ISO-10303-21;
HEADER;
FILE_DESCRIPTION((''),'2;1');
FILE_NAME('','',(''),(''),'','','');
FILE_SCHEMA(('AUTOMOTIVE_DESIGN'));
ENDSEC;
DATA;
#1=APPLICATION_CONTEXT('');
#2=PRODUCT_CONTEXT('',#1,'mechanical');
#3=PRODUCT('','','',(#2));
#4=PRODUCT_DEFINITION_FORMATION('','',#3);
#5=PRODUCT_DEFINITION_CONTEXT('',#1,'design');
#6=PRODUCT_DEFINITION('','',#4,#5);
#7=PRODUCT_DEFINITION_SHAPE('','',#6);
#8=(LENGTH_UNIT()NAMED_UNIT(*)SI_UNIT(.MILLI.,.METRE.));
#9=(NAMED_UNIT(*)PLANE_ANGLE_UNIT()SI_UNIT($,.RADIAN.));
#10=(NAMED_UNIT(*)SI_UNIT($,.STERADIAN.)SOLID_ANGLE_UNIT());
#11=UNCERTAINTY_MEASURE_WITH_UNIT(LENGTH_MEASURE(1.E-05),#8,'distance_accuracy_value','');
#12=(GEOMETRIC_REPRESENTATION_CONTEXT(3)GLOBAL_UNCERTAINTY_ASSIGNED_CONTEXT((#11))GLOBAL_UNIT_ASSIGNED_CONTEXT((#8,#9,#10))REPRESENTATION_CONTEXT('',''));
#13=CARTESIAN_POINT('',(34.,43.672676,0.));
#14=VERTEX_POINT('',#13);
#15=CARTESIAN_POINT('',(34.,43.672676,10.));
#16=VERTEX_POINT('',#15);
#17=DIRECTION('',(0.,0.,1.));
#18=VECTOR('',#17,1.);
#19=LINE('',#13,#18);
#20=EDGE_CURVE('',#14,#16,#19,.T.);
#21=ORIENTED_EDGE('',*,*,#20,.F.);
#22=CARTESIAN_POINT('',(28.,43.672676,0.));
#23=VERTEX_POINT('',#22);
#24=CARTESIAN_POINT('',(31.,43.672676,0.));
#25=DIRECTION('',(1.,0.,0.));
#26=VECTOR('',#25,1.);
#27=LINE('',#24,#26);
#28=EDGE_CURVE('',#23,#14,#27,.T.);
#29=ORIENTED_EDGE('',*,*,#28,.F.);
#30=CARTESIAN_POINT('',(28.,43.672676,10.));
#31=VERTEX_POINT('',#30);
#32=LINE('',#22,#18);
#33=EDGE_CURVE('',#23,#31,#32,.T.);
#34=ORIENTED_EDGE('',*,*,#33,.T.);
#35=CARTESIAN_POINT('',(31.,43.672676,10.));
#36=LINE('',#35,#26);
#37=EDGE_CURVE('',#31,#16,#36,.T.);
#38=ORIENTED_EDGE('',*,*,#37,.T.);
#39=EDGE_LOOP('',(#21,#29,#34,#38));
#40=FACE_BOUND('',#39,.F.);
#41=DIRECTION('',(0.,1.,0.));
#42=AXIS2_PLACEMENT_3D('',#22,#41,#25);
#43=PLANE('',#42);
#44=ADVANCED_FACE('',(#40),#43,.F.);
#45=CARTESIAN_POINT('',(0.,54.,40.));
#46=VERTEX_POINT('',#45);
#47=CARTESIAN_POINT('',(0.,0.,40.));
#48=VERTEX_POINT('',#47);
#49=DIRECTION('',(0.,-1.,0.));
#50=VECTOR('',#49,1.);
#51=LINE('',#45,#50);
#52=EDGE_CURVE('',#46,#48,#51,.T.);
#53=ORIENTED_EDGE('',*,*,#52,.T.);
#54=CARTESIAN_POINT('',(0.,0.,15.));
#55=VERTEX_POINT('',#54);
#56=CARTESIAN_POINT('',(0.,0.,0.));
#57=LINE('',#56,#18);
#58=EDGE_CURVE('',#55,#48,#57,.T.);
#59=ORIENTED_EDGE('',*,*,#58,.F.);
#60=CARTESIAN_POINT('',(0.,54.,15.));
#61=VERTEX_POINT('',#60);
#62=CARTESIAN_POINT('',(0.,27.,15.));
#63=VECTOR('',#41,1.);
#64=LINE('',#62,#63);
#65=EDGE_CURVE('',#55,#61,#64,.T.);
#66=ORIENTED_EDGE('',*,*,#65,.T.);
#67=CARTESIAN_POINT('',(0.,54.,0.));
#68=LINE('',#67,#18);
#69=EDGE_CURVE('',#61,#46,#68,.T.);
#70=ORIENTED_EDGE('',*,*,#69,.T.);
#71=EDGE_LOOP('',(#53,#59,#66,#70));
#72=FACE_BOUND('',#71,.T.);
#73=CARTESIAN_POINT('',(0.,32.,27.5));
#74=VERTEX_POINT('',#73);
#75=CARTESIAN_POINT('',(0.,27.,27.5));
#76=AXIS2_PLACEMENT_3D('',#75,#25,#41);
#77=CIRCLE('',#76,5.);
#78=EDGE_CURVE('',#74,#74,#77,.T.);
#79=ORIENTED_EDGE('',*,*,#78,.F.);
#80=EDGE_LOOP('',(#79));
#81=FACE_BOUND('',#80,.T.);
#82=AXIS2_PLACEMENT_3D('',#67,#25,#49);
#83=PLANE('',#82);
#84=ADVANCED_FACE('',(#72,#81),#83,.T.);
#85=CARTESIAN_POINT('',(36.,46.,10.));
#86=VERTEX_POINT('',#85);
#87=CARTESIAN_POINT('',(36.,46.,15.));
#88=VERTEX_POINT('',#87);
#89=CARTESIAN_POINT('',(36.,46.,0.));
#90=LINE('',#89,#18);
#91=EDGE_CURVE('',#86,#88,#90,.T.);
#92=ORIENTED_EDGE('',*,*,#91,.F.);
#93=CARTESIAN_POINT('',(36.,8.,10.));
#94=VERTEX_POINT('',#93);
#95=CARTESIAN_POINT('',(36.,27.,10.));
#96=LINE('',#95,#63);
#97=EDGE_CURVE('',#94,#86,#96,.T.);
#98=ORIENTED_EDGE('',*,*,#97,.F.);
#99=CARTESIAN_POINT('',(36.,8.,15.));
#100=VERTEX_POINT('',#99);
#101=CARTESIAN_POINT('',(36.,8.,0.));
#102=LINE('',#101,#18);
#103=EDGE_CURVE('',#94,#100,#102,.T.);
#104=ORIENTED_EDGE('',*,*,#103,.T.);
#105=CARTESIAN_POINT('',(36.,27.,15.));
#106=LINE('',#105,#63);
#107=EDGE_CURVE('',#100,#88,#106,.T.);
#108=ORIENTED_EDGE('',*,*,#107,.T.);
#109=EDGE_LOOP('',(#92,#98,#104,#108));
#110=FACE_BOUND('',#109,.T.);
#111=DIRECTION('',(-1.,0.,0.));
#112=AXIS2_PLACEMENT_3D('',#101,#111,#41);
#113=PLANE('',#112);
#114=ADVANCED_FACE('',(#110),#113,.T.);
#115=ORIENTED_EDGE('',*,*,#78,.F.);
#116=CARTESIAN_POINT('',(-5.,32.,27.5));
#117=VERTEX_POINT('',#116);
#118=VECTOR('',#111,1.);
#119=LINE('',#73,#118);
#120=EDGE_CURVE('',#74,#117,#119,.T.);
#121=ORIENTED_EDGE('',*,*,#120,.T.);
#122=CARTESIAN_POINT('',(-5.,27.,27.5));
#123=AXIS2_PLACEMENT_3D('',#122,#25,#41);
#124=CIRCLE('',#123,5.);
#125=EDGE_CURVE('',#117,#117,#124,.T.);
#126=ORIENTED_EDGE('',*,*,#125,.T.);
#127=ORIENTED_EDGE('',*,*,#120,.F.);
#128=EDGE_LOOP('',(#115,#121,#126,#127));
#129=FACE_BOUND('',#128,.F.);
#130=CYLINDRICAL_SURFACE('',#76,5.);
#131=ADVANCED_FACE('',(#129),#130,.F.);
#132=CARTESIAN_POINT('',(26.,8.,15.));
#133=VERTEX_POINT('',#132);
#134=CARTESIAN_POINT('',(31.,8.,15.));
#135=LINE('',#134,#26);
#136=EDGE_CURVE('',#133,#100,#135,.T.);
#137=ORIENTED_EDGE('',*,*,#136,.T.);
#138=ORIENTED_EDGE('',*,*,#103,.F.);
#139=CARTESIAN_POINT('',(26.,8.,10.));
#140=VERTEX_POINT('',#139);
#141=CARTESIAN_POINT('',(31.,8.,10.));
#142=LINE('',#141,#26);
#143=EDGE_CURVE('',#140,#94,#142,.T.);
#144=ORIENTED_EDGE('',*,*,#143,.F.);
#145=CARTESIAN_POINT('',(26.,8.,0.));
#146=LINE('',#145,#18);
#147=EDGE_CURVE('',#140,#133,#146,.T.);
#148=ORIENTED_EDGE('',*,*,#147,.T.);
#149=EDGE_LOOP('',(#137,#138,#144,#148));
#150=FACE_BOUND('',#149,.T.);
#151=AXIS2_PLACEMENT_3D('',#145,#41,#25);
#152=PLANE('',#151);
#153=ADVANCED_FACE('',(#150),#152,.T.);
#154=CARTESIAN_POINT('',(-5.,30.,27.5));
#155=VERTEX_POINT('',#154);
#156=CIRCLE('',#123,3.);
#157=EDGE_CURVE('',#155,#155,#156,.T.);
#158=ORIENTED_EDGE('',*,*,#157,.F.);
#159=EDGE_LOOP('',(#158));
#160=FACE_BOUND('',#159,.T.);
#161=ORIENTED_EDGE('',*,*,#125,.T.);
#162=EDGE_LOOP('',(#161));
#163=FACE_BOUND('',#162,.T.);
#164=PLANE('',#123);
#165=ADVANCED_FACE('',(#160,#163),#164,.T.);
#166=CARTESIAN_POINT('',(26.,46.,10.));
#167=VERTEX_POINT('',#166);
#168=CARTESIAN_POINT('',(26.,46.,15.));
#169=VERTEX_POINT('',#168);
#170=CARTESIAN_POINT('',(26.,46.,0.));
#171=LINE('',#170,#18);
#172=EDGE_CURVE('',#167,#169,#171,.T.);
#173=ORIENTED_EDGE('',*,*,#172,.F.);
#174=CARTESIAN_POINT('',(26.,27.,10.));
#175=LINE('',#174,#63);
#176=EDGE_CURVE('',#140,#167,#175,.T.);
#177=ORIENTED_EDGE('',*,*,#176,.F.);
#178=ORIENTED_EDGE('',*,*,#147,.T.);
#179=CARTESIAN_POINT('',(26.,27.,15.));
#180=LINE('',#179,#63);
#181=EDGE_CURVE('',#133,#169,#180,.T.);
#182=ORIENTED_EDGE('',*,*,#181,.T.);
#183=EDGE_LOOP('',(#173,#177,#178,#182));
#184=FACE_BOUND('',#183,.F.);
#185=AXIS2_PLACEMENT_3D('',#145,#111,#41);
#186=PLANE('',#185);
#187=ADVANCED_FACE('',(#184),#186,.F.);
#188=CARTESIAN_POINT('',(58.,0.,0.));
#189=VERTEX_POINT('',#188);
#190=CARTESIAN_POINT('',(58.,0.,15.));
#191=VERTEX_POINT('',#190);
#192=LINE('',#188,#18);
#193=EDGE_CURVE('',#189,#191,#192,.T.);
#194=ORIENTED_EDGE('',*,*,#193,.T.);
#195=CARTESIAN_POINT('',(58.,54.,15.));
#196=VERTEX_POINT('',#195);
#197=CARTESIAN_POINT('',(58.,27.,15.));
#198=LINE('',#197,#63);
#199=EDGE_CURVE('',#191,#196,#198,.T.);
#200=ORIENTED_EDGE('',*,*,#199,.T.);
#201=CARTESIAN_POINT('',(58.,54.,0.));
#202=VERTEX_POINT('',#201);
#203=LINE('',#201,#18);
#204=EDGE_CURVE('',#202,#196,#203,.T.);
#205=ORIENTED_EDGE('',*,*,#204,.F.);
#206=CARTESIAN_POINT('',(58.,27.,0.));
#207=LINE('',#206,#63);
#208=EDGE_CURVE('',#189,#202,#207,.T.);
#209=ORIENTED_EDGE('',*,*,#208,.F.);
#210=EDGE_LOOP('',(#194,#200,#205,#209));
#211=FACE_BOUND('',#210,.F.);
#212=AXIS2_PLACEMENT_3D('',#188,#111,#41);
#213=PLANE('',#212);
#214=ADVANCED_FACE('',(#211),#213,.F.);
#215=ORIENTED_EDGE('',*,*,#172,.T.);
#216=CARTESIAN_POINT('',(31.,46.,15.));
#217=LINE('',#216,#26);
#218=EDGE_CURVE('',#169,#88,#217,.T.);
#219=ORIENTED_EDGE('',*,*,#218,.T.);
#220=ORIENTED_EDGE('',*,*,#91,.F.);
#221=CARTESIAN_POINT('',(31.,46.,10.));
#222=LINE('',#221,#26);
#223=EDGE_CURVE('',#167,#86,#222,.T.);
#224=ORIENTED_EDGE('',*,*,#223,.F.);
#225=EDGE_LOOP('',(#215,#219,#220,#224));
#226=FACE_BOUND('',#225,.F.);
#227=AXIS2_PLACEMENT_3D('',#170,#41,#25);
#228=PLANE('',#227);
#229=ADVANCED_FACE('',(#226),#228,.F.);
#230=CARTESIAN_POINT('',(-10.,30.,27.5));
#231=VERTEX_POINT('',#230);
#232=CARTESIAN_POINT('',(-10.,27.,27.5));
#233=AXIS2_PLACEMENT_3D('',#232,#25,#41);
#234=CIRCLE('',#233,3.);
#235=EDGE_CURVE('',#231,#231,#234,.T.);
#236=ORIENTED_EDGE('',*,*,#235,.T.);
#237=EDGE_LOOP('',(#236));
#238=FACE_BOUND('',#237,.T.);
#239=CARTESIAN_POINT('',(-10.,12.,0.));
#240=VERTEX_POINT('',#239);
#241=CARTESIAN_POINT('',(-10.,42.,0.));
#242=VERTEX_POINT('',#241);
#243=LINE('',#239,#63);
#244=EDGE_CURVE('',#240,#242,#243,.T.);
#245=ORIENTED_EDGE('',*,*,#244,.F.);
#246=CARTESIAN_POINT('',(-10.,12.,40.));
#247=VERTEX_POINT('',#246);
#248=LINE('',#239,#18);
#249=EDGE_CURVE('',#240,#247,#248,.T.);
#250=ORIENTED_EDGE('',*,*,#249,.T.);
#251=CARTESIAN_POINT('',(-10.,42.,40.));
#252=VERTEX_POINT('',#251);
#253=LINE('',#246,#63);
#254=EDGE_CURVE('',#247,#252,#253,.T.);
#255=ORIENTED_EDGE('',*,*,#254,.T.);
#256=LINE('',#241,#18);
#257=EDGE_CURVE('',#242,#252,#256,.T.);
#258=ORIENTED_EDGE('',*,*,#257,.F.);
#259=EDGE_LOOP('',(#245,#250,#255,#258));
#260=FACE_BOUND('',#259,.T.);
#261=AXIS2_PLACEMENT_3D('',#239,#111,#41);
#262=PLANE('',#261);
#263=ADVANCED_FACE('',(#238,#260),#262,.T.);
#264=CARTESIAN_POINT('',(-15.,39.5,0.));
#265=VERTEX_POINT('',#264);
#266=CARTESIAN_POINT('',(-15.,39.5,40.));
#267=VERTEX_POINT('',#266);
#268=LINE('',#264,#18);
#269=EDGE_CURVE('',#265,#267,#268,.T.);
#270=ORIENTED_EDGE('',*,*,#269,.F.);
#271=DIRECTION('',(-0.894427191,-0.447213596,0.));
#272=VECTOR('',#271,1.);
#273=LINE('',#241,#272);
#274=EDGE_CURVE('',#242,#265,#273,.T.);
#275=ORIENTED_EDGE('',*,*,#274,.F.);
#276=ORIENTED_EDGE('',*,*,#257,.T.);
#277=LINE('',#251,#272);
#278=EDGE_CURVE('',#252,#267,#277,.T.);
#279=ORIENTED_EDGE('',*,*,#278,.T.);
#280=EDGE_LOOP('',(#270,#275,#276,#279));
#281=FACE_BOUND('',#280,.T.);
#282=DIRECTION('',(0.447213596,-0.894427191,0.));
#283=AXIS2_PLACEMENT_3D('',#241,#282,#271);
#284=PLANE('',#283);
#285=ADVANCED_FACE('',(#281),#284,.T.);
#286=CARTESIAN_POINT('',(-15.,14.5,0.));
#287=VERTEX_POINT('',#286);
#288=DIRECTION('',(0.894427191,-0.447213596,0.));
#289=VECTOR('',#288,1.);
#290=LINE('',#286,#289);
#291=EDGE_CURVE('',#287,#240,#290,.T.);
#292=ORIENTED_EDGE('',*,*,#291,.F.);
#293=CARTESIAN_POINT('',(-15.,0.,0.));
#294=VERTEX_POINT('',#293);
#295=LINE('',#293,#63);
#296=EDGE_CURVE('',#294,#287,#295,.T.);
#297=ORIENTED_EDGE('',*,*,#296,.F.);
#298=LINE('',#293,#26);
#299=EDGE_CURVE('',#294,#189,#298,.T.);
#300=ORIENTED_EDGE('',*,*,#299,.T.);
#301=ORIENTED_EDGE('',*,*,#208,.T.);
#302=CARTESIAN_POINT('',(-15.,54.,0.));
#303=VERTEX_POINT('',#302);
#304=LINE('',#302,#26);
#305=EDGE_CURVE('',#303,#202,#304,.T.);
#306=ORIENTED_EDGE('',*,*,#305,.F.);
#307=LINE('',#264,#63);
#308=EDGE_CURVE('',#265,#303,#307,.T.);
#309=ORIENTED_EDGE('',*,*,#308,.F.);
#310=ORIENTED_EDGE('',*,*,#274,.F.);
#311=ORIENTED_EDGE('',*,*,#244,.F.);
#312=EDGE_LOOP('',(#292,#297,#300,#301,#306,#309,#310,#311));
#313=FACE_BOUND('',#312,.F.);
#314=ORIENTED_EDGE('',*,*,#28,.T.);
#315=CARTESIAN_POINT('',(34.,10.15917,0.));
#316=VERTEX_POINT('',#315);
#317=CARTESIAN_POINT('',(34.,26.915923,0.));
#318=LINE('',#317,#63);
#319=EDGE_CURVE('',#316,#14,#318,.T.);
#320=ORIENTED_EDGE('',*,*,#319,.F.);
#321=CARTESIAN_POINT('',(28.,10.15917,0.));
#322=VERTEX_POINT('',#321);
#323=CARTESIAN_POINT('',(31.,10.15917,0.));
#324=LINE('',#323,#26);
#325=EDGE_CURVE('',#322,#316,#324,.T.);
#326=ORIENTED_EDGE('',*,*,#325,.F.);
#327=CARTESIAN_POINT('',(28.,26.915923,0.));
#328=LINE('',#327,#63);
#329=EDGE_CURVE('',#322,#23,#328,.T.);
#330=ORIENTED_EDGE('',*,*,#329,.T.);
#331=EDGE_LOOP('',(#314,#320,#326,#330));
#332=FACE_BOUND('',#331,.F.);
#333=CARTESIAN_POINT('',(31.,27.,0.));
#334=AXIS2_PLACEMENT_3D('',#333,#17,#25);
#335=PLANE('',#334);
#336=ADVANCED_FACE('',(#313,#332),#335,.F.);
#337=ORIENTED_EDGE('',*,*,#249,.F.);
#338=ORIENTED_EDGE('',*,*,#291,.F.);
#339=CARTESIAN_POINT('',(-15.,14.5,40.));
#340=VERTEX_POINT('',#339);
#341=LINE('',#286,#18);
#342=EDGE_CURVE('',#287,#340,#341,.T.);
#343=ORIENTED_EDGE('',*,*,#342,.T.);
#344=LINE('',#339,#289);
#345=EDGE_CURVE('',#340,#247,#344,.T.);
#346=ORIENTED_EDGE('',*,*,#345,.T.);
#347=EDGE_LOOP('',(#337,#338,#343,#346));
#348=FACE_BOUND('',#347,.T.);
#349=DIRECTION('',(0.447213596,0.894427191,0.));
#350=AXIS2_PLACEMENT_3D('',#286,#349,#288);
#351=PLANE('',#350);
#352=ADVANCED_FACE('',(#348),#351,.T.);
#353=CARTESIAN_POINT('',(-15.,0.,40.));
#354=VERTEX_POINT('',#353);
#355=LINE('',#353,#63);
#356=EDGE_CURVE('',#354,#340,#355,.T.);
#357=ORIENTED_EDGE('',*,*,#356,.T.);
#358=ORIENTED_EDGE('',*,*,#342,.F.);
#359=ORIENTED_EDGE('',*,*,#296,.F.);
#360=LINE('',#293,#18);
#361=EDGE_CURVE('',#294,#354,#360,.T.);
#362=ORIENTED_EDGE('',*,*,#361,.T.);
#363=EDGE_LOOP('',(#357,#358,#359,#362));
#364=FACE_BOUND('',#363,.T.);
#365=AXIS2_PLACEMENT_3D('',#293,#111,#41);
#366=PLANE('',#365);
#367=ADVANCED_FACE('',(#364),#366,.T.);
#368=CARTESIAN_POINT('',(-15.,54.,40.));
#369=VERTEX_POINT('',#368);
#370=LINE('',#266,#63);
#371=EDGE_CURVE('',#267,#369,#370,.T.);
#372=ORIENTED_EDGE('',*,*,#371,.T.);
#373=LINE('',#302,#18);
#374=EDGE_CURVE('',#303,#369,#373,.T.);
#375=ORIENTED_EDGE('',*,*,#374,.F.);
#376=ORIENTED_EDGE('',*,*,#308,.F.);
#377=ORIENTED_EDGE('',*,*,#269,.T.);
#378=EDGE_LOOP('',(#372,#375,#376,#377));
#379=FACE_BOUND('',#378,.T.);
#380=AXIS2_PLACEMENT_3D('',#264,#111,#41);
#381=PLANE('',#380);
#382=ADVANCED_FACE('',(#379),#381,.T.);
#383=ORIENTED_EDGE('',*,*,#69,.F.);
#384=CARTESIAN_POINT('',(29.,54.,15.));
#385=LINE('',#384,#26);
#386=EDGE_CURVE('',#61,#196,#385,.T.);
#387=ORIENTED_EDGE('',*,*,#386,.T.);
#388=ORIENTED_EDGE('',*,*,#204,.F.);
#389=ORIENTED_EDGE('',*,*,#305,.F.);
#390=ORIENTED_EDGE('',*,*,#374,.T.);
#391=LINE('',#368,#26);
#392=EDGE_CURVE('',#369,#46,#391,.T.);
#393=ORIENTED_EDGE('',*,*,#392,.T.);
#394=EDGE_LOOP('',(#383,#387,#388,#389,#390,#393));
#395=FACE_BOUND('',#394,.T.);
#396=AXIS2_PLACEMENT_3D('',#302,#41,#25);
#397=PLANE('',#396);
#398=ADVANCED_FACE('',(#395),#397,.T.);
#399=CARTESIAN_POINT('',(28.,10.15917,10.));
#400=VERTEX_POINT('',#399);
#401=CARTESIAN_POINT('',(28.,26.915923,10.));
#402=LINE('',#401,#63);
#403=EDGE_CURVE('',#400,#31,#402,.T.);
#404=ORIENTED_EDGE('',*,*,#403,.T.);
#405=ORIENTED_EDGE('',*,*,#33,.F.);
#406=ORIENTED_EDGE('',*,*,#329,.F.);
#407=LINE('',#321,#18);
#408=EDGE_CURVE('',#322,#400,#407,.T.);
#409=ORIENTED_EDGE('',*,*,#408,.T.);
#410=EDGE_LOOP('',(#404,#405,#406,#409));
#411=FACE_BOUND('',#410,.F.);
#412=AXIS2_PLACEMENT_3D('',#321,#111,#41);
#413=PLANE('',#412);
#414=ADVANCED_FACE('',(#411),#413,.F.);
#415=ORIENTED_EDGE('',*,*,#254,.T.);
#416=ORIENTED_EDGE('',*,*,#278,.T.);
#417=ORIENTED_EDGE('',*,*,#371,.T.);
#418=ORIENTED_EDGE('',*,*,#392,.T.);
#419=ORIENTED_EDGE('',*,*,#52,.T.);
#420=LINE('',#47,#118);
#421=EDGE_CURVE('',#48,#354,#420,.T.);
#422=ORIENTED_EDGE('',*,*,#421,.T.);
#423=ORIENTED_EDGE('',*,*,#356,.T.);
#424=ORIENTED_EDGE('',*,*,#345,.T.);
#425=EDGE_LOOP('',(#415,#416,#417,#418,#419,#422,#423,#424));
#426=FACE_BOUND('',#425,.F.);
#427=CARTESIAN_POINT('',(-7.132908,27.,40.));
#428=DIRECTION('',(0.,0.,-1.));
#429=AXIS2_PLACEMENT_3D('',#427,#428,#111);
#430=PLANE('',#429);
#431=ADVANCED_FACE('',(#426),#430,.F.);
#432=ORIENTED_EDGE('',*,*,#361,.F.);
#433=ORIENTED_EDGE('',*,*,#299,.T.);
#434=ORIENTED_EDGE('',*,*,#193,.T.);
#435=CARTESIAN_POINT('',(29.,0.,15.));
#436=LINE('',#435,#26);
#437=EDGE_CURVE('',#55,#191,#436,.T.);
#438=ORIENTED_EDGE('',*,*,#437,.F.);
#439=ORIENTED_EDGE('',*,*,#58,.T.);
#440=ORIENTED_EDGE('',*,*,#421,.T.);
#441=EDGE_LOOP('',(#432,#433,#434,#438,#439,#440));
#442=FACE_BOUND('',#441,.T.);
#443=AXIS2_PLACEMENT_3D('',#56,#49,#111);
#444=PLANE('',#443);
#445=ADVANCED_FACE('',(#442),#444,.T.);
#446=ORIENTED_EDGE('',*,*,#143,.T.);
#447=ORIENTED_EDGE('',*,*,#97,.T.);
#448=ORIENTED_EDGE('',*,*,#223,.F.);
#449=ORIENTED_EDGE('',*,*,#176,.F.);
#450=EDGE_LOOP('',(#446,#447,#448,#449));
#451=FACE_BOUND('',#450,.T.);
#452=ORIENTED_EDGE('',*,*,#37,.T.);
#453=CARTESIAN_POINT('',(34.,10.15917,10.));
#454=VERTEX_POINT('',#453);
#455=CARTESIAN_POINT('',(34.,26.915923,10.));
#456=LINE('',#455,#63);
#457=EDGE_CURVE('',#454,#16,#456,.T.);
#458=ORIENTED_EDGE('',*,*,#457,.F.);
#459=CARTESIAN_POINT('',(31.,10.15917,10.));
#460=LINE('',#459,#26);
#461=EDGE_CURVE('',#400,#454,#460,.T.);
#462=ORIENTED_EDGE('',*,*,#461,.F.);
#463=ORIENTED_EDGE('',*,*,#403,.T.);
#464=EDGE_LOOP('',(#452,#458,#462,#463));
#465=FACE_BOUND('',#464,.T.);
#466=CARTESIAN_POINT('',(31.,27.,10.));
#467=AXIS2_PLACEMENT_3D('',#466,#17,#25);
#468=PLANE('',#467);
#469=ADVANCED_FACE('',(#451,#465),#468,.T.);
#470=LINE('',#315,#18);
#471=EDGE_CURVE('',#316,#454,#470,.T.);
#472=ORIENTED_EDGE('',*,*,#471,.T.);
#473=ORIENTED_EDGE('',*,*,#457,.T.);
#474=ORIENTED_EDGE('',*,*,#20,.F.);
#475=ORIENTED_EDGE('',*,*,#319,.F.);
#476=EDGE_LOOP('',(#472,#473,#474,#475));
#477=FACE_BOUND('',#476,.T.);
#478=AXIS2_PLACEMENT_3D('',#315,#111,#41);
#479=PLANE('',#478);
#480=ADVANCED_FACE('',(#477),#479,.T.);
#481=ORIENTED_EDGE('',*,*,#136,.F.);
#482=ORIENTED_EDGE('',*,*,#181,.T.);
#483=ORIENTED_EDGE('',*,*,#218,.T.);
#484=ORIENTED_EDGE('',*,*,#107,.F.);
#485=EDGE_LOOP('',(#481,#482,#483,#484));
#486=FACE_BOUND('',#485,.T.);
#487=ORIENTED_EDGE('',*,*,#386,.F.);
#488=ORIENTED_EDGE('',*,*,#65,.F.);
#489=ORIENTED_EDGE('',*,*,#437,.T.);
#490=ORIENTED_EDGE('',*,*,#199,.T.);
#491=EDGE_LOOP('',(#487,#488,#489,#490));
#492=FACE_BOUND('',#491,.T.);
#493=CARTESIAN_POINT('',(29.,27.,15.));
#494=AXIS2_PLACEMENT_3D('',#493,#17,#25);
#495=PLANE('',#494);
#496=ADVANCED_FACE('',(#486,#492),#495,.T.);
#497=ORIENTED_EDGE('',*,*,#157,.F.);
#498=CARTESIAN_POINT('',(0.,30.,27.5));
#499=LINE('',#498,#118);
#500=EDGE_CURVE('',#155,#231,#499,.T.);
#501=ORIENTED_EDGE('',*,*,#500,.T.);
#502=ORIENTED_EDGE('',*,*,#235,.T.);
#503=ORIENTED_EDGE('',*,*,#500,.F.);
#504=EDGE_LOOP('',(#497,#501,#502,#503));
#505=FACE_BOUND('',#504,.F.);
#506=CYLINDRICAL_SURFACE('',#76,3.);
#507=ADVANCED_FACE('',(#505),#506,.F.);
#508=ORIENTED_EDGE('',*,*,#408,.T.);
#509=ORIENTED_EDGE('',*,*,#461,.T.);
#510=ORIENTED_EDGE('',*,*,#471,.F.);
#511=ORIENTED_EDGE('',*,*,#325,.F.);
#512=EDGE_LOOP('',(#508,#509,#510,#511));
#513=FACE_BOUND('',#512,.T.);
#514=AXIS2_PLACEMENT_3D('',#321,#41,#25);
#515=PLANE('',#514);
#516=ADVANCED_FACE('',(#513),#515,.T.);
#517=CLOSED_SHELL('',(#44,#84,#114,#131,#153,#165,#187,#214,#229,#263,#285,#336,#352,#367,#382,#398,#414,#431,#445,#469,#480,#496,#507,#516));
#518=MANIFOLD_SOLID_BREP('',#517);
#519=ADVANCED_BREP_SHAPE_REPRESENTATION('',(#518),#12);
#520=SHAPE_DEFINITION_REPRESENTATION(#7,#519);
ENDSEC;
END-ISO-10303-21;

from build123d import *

# Parameters (mm, degrees)
SKETCH_W        = 58
SKETCH_H        = 54
SKETCH_W_2      = 10
SKETCH_H_2      = 38
PAD_DEPTH       = 15
PAD001_DEPTH    = 40
SKETCH002_W     = 10
SKETCH002_H     = 38
SKETCH002_W_2   = 6
SKETCH002_H_2   = 33.513506
PAD002_DEPTH    = 10
SKETCH004_R     = 5
POCKET_DEPTH    = 5
SKETCH005_R     = 3
POCKET001_DEPTH = 10


with BuildPart() as part:
    # Sketch → Pad (new body)
    with BuildSketch(Plane.XY):
        with Locations((29, 27)):
            Rectangle(SKETCH_W, SKETCH_H)
        with Locations((31, 27)):
            Rectangle(SKETCH_W_2, SKETCH_H_2, mode=Mode.SUBTRACT)
    extrude(amount=PAD_DEPTH)

    # Sketch003 → Pad001 (new body)
    with BuildSketch(Plane.XY):
        Polygon((-15, 0), (-15, 14.5), (-10, 12), (-10, 42), (-15, 39.5), (-15, 54), (0, 54), (0, 0), align=None)
    extrude(amount=PAD001_DEPTH)

    # Sketch002 → Pad002 (new body)
    with BuildSketch(Plane.XY):
        with Locations((31, 27)):
            Rectangle(SKETCH002_W, SKETCH002_H)
        with Locations((31, 26.915923)):
            Rectangle(SKETCH002_W_2, SKETCH002_H_2, mode=Mode.SUBTRACT)
    extrude(amount=PAD002_DEPTH)

    # Sketch004 → Pocket (cut)
    with BuildSketch(Plane.YZ):
        with Locations((27, 27.5)):
            Circle(SKETCH004_R)
    extrude(amount=-POCKET_DEPTH, mode=Mode.SUBTRACT)

    # Sketch005 → Pocket001 (cut)
    with BuildSketch(Plane.YZ):
        with Locations((27, 27.5)):
            Circle(SKETCH005_R)
    extrude(amount=-POCKET001_DEPTH, mode=Mode.SUBTRACT)


solid = part.part
